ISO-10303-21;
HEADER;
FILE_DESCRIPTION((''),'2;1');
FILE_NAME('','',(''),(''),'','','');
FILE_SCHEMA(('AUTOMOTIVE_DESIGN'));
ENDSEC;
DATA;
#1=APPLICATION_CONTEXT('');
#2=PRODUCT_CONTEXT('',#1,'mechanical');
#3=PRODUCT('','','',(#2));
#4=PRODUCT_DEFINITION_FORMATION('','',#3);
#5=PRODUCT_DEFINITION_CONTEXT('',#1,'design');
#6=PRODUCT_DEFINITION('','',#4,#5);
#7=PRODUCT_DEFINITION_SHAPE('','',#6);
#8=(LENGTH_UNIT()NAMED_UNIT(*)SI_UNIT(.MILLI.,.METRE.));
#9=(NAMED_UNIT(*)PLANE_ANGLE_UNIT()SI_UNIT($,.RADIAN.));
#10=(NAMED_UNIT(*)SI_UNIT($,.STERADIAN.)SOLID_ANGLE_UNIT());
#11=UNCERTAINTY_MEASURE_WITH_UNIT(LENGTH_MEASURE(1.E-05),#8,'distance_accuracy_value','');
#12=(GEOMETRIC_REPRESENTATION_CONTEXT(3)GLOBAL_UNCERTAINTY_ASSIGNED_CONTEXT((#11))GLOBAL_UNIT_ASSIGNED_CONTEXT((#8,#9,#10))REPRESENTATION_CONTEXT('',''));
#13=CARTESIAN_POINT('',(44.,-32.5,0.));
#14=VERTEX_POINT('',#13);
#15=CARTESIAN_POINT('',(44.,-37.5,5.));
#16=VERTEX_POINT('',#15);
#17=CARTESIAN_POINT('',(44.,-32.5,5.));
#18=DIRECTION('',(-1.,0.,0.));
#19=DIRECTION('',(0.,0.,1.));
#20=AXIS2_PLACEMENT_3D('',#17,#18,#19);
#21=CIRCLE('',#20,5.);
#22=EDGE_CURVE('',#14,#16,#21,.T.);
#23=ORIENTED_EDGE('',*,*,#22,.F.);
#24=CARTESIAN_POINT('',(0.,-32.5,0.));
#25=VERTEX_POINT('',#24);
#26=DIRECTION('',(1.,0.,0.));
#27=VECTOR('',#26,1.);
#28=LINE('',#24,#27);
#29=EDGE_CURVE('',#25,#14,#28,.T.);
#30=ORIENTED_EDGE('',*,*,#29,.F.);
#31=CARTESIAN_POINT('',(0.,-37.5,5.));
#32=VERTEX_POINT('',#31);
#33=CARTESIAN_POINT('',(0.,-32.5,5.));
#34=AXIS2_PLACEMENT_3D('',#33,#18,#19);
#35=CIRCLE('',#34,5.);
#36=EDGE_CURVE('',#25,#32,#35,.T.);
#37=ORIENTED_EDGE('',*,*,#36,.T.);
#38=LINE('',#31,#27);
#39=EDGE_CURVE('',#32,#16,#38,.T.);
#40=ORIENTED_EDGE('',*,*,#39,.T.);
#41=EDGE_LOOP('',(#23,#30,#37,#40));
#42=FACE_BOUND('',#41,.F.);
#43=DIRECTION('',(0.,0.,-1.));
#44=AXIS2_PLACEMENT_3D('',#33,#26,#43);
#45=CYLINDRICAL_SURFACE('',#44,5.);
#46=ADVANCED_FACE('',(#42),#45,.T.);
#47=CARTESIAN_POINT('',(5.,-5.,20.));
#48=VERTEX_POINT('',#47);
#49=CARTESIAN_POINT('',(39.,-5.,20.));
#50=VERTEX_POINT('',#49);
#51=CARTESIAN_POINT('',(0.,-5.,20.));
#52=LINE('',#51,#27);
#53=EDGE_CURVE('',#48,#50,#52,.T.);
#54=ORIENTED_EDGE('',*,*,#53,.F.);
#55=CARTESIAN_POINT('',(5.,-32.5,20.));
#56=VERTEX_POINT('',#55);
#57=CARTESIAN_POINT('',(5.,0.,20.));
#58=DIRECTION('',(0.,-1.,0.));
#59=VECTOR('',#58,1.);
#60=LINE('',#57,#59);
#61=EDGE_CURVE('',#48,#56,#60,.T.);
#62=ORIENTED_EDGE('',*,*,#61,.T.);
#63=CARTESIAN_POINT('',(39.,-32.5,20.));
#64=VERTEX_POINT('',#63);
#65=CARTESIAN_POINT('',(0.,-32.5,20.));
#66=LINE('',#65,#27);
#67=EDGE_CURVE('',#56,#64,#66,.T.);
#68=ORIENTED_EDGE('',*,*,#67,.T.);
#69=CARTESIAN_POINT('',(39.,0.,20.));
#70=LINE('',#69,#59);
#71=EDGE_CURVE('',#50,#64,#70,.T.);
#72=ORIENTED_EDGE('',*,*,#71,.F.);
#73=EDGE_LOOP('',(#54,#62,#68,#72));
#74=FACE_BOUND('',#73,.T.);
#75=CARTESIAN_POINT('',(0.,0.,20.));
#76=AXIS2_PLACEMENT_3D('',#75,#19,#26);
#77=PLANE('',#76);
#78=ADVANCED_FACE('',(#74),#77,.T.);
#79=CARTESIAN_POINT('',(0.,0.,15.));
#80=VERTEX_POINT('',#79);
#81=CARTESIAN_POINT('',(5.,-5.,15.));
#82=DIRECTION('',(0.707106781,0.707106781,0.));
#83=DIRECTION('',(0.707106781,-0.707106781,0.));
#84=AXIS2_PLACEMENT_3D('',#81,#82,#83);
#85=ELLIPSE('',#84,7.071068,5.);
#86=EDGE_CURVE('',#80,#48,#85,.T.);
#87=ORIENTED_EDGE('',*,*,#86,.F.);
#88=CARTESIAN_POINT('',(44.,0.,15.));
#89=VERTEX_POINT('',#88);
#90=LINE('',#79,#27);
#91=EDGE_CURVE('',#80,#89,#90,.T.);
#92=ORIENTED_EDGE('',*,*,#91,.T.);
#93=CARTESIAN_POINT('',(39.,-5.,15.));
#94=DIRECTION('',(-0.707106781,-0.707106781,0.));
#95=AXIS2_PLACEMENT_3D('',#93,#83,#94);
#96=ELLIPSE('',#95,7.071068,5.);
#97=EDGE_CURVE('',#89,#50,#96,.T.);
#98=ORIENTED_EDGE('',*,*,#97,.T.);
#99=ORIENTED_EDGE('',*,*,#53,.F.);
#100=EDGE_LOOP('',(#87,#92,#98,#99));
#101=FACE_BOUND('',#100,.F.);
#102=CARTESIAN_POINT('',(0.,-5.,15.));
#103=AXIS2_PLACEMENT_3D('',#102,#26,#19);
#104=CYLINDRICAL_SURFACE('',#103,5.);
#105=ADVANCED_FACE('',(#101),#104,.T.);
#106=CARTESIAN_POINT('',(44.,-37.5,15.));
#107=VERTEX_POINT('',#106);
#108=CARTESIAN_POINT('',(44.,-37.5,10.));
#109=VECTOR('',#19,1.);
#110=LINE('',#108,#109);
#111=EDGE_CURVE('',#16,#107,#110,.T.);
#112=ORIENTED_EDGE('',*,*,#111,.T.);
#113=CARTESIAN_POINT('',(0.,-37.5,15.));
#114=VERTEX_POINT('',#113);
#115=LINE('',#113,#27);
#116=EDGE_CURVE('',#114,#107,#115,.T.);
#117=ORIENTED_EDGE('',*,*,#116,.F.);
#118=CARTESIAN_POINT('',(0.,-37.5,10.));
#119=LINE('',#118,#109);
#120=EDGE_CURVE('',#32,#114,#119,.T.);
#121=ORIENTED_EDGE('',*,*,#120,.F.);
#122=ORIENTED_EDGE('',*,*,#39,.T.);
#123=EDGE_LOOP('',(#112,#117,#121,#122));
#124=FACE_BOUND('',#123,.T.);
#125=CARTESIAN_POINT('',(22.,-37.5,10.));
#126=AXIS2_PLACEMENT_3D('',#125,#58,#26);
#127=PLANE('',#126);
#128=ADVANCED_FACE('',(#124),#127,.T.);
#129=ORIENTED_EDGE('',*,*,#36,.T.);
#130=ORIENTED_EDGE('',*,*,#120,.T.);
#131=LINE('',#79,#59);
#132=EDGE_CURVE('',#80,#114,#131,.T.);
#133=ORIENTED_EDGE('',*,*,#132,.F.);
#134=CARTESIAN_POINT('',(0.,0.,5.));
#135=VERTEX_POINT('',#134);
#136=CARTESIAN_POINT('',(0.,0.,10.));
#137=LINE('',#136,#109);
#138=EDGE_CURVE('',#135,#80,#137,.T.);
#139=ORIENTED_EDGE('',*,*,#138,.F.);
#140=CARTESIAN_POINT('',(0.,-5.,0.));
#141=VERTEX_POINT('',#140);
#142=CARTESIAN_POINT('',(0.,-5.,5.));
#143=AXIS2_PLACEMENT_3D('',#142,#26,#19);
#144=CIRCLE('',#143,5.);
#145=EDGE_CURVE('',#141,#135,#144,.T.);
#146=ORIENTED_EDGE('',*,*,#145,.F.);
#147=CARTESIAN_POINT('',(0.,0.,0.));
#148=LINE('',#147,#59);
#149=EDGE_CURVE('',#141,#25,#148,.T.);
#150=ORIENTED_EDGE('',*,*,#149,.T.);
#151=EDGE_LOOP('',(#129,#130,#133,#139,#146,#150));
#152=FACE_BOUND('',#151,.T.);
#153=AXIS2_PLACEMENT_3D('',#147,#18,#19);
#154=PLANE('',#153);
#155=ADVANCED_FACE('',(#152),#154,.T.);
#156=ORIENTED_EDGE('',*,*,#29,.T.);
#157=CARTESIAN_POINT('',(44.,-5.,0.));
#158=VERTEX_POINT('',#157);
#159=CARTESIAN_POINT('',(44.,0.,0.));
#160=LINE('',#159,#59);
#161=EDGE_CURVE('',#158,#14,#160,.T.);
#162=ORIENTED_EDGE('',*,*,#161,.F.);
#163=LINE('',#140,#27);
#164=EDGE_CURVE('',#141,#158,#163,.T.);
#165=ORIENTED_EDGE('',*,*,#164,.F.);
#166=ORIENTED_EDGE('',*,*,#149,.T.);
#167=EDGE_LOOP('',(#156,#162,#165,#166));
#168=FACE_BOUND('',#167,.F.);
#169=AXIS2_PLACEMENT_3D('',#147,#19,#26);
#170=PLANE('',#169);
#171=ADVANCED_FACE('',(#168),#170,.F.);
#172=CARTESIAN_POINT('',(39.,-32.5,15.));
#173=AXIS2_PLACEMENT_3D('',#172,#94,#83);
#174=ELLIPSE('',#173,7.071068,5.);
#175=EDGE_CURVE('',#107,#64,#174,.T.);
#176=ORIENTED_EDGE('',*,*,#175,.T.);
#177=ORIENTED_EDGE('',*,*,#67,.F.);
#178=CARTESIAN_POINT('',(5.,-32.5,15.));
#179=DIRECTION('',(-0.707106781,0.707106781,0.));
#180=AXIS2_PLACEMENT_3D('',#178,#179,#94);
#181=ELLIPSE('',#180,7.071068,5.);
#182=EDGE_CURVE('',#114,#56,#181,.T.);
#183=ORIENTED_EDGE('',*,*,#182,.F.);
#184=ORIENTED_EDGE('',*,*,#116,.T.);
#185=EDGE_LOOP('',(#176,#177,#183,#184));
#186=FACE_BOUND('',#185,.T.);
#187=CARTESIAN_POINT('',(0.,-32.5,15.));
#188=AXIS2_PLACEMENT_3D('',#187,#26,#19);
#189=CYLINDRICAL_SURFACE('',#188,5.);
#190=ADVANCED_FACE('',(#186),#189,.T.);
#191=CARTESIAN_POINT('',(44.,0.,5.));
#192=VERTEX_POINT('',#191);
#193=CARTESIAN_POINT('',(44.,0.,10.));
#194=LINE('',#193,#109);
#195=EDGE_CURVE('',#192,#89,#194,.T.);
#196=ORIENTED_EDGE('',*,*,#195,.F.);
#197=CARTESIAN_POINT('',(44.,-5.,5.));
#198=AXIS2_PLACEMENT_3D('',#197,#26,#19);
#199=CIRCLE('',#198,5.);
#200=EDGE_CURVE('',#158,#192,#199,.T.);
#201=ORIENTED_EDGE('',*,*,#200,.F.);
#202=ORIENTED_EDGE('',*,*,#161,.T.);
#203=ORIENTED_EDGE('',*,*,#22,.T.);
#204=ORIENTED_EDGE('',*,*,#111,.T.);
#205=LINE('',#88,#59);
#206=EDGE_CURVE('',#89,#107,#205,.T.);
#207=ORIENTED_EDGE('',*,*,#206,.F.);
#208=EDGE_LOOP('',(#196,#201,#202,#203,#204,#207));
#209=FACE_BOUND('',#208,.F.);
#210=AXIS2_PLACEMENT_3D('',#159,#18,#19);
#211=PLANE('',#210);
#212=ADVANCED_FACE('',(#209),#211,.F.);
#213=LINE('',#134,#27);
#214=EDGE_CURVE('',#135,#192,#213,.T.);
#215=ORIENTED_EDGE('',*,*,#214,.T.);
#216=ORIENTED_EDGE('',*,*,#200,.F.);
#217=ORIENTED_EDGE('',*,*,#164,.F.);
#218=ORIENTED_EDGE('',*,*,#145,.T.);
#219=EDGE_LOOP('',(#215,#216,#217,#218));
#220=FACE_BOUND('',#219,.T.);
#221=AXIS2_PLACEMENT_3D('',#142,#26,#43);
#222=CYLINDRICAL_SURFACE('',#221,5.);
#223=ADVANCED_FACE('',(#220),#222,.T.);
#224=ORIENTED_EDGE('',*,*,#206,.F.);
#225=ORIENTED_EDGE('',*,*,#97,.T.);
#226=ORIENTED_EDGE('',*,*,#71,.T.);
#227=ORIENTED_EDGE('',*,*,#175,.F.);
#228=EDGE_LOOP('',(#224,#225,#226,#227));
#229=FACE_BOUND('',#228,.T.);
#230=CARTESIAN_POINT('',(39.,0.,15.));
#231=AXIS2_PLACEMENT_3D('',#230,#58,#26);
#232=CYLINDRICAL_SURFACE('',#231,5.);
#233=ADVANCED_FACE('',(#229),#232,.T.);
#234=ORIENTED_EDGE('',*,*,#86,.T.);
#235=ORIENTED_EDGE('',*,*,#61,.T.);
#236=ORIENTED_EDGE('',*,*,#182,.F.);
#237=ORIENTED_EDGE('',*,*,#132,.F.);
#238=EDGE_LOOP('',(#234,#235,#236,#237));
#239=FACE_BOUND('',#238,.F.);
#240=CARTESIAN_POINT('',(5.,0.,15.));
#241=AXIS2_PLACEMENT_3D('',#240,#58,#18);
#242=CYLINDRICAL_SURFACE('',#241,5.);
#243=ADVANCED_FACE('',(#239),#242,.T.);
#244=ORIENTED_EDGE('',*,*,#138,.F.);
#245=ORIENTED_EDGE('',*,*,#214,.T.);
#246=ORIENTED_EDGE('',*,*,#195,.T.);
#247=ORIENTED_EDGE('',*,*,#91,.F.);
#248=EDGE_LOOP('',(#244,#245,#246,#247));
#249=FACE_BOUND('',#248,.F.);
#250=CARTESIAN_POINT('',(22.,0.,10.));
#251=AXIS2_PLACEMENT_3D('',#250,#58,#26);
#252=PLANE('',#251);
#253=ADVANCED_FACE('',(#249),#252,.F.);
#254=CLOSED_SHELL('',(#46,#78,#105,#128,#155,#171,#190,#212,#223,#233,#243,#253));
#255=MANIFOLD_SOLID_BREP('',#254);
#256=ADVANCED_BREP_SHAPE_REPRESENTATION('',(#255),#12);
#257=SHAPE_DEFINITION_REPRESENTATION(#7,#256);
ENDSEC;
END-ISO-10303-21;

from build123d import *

# Parameters (mm, degrees)
F0_W     = 44
F0_H     = 20
F1_DEPTH = 37.5
F2_R     = 5


with BuildPart() as f1:
    # F0 (on Front) → F1 (new body)
    with BuildSketch(Plane.XZ):
        with Locations((22, 10)):
            Rectangle(F0_W, F0_H)
    extrude(amount=F1_DEPTH)

    # F2
    f2_edges = [f1.edges().sort_by_distance(p)[0] for p in [
        (44, -18.75, 20),
        (0, -18.75, 20),
        (22, 0, 20),
        (22, -37.5, 20),
        (22, -37.5, 0),
        (22, 0, 0),
    ]]
    fillet(f2_edges, radius=F2_R)


solid = f1.part
